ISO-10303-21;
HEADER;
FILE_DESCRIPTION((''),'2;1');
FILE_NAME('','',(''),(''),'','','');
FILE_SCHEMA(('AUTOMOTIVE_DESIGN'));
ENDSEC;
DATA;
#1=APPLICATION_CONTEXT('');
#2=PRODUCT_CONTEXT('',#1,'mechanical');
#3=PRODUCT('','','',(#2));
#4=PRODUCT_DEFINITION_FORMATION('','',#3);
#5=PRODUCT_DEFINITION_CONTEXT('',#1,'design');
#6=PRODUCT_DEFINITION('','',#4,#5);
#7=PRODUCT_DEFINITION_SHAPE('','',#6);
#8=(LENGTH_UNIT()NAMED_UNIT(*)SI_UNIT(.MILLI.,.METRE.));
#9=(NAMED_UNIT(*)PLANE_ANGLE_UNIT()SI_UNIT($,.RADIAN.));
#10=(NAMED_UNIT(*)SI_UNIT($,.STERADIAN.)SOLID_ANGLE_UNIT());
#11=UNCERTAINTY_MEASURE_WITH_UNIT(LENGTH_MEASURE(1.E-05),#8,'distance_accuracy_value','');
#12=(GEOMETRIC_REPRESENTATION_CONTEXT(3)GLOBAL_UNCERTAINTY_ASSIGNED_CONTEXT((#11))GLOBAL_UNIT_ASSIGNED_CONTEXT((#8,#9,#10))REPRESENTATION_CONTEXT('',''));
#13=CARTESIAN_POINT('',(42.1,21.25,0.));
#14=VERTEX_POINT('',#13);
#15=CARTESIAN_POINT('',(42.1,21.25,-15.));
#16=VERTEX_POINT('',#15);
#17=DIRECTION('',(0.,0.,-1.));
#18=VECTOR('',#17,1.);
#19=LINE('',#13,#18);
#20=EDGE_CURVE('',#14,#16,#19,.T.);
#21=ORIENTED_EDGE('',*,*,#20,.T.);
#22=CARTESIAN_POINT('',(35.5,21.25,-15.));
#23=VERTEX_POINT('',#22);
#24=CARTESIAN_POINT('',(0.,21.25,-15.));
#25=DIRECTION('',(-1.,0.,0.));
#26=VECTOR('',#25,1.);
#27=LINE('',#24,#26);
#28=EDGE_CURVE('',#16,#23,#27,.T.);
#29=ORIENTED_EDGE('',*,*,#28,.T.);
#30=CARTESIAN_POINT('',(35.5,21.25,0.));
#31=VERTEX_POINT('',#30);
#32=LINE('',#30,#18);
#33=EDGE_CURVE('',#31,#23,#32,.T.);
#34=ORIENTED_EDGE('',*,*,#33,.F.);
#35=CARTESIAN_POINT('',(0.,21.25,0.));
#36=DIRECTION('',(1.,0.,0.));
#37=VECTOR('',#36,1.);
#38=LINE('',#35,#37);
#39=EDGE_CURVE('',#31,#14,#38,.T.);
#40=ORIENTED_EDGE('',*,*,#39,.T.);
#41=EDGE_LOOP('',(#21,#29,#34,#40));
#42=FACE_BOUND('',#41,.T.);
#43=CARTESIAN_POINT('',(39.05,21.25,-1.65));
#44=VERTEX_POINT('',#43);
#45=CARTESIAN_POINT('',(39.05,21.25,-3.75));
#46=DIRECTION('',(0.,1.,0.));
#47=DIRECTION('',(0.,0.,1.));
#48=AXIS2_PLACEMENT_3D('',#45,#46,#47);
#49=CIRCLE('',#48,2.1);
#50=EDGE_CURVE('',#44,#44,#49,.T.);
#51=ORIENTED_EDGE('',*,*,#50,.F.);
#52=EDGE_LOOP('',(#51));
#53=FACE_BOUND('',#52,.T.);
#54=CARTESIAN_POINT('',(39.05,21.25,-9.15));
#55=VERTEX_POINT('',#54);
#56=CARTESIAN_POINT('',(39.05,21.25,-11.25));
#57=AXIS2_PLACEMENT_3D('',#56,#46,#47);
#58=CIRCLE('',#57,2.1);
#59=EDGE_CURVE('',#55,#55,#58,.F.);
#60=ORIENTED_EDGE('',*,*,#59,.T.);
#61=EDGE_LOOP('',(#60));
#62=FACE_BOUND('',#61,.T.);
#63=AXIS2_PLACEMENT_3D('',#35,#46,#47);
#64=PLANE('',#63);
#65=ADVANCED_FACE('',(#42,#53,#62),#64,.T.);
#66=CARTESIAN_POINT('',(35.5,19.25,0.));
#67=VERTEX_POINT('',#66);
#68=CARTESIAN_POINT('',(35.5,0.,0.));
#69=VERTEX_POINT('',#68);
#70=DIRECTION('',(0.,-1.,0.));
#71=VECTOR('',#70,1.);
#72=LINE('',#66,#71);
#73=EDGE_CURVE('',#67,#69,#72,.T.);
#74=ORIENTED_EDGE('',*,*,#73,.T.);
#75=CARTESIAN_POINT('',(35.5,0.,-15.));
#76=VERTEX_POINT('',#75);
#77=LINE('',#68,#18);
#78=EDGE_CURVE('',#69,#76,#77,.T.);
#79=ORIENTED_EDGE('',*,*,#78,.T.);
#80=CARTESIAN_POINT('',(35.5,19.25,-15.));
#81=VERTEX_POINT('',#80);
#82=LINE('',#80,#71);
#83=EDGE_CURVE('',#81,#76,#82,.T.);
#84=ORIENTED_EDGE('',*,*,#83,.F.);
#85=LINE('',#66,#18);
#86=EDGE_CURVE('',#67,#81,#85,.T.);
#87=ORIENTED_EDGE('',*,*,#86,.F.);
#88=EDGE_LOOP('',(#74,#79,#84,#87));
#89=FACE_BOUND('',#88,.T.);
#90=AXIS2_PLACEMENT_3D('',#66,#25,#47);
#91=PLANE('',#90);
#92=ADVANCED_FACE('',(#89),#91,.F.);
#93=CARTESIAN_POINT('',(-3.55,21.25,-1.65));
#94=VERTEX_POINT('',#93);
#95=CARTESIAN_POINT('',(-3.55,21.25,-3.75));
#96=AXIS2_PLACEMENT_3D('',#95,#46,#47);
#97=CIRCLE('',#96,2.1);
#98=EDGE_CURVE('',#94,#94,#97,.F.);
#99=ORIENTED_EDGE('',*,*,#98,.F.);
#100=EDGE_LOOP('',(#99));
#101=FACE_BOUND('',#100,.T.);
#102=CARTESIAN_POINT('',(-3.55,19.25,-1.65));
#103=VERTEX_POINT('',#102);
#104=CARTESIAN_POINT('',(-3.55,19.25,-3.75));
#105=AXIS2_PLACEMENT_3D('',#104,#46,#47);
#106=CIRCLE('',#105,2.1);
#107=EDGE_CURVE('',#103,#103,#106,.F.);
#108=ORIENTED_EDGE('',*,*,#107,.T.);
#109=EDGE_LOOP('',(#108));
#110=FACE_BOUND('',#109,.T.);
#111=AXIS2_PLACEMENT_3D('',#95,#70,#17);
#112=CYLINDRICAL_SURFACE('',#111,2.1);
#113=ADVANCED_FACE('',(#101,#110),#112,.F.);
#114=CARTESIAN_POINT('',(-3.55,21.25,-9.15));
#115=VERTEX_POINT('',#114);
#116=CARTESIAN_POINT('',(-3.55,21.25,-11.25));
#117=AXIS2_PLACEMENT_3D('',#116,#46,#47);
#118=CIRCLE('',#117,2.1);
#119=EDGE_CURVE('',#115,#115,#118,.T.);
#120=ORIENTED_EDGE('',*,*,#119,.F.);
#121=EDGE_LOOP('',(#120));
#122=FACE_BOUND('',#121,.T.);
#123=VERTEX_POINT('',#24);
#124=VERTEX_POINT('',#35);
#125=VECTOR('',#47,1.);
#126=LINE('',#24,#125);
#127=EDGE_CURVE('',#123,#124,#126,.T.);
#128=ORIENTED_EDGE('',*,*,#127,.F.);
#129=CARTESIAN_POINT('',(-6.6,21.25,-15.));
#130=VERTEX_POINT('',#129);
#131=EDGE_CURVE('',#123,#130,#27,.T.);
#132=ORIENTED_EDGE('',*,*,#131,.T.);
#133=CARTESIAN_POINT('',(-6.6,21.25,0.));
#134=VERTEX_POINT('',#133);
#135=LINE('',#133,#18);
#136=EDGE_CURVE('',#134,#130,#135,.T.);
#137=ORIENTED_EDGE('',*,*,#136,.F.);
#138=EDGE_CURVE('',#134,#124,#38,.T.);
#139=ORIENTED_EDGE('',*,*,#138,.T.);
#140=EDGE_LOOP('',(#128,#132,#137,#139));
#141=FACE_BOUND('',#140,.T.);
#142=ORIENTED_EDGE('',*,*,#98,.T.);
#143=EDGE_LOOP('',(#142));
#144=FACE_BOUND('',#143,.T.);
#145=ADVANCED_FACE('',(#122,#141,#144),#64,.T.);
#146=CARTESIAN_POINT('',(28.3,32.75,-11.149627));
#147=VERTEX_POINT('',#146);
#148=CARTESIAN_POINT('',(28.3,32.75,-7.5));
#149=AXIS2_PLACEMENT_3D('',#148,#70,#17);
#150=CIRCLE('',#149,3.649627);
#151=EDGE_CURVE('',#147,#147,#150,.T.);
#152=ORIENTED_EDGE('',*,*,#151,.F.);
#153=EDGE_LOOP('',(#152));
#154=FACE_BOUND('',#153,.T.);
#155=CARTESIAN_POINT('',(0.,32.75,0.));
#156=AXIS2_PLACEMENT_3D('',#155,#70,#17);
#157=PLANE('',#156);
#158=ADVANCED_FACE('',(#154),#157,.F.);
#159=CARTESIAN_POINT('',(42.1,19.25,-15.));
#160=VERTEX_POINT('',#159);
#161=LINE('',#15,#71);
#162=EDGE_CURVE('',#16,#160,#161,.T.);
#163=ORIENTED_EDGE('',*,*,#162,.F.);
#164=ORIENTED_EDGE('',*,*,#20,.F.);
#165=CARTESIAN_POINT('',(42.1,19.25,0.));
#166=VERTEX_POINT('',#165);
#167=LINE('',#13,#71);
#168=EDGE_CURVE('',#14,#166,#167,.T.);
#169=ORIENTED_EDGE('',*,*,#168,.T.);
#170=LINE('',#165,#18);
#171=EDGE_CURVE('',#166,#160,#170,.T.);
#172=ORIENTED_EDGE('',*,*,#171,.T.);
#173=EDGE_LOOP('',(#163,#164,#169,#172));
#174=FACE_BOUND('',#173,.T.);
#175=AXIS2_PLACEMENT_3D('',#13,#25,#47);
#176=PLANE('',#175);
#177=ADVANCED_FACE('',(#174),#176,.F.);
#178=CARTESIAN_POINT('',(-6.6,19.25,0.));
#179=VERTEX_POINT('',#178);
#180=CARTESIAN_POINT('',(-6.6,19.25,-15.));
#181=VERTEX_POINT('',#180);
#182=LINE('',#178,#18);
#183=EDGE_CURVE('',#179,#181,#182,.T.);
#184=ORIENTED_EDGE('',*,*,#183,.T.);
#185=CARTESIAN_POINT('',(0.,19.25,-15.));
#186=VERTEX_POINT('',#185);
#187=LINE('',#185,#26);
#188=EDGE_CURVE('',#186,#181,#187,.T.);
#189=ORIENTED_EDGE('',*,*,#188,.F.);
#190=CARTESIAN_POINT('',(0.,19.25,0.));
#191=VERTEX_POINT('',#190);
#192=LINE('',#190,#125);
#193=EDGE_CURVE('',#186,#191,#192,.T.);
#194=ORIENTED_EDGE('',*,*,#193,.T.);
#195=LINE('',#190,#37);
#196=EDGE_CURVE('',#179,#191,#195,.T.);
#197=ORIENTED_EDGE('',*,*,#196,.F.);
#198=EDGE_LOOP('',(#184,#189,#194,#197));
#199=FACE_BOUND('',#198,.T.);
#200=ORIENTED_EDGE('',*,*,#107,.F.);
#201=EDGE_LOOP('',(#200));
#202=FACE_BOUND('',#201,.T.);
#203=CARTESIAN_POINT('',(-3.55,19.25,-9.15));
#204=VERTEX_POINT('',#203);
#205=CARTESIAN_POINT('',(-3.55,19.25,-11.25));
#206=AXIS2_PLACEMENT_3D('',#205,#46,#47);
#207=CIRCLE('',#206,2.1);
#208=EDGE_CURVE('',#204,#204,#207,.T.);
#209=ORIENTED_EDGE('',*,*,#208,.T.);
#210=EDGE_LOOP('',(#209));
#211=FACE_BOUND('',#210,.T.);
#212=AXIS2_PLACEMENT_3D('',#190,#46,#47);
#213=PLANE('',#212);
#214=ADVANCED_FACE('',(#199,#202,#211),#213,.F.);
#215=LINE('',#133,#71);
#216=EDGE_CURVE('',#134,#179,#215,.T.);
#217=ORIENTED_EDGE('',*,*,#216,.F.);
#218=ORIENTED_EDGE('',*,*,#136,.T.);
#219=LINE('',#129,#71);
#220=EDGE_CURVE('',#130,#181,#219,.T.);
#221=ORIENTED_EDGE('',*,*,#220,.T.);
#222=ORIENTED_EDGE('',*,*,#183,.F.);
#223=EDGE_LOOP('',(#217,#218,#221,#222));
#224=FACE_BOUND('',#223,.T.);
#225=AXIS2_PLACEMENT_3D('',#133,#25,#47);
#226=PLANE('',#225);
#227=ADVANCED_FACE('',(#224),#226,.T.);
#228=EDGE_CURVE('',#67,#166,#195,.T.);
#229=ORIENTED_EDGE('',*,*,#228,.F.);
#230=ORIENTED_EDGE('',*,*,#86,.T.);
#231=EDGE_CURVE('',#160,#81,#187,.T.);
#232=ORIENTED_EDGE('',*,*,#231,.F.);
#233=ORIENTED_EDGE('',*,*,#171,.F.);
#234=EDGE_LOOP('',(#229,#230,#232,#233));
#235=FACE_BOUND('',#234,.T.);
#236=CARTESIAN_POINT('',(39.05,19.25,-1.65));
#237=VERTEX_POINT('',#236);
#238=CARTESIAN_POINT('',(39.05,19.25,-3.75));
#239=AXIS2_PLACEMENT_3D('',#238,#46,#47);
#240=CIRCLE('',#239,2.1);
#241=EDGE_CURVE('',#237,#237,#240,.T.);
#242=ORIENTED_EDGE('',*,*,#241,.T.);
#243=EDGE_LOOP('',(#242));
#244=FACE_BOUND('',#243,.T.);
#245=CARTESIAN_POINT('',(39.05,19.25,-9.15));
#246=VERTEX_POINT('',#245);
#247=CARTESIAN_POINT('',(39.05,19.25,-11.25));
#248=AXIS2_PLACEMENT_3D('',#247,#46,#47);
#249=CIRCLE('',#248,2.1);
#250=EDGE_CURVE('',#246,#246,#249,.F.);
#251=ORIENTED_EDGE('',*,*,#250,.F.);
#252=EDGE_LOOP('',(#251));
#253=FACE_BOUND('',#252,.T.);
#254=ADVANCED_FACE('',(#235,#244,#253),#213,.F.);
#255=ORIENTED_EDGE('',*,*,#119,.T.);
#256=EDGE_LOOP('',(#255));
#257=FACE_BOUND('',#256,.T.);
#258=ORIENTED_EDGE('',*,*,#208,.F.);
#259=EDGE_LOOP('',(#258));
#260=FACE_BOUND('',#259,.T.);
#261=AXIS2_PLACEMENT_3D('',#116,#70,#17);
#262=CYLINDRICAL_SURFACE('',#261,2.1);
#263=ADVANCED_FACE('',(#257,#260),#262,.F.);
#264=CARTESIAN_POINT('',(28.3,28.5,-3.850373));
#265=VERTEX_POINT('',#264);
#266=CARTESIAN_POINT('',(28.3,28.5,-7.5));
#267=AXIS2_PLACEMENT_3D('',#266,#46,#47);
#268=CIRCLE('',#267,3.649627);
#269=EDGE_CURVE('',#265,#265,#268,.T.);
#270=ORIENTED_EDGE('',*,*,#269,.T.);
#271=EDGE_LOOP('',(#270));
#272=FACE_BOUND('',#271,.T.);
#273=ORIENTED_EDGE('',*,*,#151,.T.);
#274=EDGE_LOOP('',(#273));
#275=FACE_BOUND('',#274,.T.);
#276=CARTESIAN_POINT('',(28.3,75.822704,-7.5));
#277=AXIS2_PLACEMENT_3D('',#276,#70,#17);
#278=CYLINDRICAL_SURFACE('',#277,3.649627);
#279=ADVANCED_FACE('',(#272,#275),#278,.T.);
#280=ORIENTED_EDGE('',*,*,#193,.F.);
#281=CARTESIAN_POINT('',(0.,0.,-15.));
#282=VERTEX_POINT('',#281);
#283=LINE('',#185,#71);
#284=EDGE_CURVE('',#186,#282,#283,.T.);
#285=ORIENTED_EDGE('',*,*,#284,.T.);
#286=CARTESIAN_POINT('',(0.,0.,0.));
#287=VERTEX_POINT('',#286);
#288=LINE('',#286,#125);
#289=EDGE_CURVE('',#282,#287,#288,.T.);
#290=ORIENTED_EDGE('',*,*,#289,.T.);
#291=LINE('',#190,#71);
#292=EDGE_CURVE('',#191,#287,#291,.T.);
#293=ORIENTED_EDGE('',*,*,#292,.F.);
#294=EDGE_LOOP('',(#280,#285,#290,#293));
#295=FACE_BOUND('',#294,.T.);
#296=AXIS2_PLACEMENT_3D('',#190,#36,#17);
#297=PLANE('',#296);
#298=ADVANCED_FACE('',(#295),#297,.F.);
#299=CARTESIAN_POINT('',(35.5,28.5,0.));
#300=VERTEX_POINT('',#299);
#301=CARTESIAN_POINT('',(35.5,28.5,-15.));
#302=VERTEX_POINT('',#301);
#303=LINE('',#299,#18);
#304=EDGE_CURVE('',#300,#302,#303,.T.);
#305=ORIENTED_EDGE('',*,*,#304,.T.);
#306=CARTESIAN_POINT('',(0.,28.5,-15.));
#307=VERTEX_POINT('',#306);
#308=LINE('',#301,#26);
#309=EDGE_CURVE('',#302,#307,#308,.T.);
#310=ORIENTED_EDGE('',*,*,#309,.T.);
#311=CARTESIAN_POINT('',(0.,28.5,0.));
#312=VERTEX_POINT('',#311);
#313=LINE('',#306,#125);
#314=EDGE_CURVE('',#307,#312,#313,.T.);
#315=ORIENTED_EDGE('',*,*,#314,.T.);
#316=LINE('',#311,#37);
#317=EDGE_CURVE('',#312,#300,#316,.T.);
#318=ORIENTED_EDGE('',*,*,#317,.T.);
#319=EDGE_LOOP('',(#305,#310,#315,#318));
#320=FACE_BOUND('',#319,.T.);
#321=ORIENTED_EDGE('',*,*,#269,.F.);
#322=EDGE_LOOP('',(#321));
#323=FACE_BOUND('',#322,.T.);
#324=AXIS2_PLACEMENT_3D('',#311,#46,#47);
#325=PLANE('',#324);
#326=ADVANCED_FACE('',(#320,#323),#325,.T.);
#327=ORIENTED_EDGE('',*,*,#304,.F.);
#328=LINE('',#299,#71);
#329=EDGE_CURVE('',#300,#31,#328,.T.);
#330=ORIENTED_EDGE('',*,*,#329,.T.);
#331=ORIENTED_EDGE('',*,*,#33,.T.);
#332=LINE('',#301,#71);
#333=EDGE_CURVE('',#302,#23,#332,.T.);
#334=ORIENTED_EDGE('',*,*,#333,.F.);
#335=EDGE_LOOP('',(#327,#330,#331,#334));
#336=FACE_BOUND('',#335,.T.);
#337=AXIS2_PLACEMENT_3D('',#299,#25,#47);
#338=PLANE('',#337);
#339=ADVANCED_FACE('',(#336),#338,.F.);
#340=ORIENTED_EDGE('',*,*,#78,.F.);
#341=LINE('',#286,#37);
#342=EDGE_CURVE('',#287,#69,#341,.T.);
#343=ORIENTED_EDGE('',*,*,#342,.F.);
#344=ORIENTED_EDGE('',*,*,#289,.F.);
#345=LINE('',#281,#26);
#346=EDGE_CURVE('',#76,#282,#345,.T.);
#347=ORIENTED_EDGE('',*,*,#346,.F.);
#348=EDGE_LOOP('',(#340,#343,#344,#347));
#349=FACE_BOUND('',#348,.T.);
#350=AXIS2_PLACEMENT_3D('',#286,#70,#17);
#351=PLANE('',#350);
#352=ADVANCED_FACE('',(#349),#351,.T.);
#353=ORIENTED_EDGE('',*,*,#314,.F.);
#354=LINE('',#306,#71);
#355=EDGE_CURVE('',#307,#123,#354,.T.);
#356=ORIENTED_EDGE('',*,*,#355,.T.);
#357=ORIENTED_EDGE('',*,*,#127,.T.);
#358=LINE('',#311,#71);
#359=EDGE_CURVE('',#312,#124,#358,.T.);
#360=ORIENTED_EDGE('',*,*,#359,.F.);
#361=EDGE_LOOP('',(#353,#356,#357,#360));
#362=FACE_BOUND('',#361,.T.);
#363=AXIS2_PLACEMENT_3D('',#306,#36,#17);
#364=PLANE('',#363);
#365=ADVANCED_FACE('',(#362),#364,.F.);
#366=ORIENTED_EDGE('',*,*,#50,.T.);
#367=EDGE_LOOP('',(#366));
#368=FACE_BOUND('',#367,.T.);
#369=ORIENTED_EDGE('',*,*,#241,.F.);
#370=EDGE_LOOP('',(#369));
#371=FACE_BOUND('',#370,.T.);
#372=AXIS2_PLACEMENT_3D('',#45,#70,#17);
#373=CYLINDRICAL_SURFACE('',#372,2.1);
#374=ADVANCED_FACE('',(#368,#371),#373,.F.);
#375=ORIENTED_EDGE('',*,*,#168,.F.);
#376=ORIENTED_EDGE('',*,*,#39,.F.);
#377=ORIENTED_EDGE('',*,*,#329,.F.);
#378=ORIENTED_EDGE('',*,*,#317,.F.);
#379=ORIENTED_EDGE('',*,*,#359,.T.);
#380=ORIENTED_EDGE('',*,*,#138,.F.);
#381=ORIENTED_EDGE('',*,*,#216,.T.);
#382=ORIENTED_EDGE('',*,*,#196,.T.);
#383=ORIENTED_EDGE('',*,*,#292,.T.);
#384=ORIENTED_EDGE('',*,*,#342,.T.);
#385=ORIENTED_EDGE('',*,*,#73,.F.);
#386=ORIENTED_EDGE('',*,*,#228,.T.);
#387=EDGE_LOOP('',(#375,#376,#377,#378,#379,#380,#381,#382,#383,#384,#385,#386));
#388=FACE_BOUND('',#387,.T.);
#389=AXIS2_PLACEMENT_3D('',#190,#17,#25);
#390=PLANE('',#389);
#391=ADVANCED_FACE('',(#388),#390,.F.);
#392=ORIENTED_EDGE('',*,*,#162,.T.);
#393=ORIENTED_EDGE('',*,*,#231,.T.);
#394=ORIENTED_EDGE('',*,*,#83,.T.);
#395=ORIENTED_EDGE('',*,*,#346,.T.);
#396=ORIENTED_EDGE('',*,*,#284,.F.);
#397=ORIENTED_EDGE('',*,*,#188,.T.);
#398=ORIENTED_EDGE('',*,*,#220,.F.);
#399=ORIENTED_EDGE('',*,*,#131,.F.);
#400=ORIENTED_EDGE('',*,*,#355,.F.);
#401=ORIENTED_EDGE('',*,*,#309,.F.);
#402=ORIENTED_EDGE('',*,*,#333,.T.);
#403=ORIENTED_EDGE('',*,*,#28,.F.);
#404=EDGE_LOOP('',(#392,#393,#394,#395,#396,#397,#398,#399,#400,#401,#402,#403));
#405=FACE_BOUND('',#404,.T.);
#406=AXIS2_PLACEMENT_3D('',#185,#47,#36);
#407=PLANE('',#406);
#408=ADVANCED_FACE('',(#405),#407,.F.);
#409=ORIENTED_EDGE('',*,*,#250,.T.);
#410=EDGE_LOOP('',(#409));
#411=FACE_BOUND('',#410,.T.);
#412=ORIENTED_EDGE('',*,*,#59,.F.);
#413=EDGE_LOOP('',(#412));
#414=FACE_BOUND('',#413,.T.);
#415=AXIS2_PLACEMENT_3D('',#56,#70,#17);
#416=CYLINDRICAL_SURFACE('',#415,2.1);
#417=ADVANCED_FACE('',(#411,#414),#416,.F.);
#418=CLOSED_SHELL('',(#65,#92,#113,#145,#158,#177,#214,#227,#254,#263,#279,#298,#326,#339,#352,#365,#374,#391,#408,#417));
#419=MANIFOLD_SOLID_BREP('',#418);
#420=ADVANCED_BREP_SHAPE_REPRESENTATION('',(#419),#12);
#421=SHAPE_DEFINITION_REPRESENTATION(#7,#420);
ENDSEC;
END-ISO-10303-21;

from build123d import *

# Parameters (mm, degrees)
SKETCH_1_W      = 35.5
SKETCH_1_H      = 15
EXTRUDE_1_DEPTH = 19.25
SKETCH_2_W      = 35.5
SKETCH_2_H      = 15
SKETCH_2_W_2    = 6.6
SKETCH_2_R      = 2.1
EXTRUDE_2_DEPTH = 2
SKETCH_3_W      = 35.5
SKETCH_3_H      = 15
EXTRUDE_3_DEPTH = 7.25
SKETCH_4_R      = 3.649626988
EXTRUDE_4_DEPTH = 4.25


with BuildPart() as part:
    # 草图1 → 凸台-拉伸1 (new body)
    with BuildSketch(Plane(origin=(0, 0, 0), x_dir=(1, 0, 0), z_dir=(0, 1, 0))):
        with Locations((17.75, 7.5)):
            Rectangle(SKETCH_1_W, SKETCH_1_H)
    extrude(amount=EXTRUDE_1_DEPTH)

    # 草图2 → 凸台-拉伸2 (add)
    # profile 1 of 3: a face of its own
    with BuildSketch(Plane(origin=(0, 19.25, 0), x_dir=(1, 0, 0), z_dir=(0, 1, 0))):
        with Locations((17.75, 7.5)):
            Rectangle(SKETCH_2_W, SKETCH_2_H)
    # profile 2 of 3: a face of its own
    with BuildSketch(Plane(origin=(0, 19.25, 0), x_dir=(1, 0, 0), z_dir=(0, 1, 0))):
        with Locations((38.8, 7.5)):
            Rectangle(SKETCH_2_W_2, SKETCH_2_H)
        with Locations(Location((39.05, 3.75, 0), (0, 0, 270))):
            Circle(SKETCH_2_R, mode=Mode.SUBTRACT)
        with Locations(Location((39.05, 11.25, 0), (0, 0, 270))):
            Circle(SKETCH_2_R, mode=Mode.SUBTRACT)
    # profile 3 of 3: a face of its own
    with BuildSketch(Plane(origin=(0, 19.25, 0), x_dir=(1, 0, 0), z_dir=(0, 1, 0))):
        with Locations((-3.3, 7.5)):
            Rectangle(SKETCH_2_W_2, SKETCH_2_H)
        with Locations(Location((-3.55, 3.75, 0), (0, 0, 270))):
            Circle(SKETCH_2_R, mode=Mode.SUBTRACT)
        with Locations(Location((-3.55, 11.25, 0), (0, 0, 270))):
            Circle(SKETCH_2_R, mode=Mode.SUBTRACT)
    extrude(amount=EXTRUDE_2_DEPTH)

    # 草图3 → 凸台-拉伸3 (add)
    with BuildSketch(Plane(origin=(0, 21.25, 0), x_dir=(1, 0, 0), z_dir=(0, 1, 0))):
        with Locations((17.75, 7.5)):
            Rectangle(SKETCH_3_W, SKETCH_3_H)
    extrude(amount=EXTRUDE_3_DEPTH)

    # 草图4 → 凸台-拉伸4 (add)
    with BuildSketch(Plane(origin=(0, 28.5, 0), x_dir=(1, 0, 0), z_dir=(0, 1, 0))):
        with Locations(Location((28.3, 7.5, 0), (0, 0, 90))):
            Circle(SKETCH_4_R)
    extrude(amount=EXTRUDE_4_DEPTH)


solid = part.part
